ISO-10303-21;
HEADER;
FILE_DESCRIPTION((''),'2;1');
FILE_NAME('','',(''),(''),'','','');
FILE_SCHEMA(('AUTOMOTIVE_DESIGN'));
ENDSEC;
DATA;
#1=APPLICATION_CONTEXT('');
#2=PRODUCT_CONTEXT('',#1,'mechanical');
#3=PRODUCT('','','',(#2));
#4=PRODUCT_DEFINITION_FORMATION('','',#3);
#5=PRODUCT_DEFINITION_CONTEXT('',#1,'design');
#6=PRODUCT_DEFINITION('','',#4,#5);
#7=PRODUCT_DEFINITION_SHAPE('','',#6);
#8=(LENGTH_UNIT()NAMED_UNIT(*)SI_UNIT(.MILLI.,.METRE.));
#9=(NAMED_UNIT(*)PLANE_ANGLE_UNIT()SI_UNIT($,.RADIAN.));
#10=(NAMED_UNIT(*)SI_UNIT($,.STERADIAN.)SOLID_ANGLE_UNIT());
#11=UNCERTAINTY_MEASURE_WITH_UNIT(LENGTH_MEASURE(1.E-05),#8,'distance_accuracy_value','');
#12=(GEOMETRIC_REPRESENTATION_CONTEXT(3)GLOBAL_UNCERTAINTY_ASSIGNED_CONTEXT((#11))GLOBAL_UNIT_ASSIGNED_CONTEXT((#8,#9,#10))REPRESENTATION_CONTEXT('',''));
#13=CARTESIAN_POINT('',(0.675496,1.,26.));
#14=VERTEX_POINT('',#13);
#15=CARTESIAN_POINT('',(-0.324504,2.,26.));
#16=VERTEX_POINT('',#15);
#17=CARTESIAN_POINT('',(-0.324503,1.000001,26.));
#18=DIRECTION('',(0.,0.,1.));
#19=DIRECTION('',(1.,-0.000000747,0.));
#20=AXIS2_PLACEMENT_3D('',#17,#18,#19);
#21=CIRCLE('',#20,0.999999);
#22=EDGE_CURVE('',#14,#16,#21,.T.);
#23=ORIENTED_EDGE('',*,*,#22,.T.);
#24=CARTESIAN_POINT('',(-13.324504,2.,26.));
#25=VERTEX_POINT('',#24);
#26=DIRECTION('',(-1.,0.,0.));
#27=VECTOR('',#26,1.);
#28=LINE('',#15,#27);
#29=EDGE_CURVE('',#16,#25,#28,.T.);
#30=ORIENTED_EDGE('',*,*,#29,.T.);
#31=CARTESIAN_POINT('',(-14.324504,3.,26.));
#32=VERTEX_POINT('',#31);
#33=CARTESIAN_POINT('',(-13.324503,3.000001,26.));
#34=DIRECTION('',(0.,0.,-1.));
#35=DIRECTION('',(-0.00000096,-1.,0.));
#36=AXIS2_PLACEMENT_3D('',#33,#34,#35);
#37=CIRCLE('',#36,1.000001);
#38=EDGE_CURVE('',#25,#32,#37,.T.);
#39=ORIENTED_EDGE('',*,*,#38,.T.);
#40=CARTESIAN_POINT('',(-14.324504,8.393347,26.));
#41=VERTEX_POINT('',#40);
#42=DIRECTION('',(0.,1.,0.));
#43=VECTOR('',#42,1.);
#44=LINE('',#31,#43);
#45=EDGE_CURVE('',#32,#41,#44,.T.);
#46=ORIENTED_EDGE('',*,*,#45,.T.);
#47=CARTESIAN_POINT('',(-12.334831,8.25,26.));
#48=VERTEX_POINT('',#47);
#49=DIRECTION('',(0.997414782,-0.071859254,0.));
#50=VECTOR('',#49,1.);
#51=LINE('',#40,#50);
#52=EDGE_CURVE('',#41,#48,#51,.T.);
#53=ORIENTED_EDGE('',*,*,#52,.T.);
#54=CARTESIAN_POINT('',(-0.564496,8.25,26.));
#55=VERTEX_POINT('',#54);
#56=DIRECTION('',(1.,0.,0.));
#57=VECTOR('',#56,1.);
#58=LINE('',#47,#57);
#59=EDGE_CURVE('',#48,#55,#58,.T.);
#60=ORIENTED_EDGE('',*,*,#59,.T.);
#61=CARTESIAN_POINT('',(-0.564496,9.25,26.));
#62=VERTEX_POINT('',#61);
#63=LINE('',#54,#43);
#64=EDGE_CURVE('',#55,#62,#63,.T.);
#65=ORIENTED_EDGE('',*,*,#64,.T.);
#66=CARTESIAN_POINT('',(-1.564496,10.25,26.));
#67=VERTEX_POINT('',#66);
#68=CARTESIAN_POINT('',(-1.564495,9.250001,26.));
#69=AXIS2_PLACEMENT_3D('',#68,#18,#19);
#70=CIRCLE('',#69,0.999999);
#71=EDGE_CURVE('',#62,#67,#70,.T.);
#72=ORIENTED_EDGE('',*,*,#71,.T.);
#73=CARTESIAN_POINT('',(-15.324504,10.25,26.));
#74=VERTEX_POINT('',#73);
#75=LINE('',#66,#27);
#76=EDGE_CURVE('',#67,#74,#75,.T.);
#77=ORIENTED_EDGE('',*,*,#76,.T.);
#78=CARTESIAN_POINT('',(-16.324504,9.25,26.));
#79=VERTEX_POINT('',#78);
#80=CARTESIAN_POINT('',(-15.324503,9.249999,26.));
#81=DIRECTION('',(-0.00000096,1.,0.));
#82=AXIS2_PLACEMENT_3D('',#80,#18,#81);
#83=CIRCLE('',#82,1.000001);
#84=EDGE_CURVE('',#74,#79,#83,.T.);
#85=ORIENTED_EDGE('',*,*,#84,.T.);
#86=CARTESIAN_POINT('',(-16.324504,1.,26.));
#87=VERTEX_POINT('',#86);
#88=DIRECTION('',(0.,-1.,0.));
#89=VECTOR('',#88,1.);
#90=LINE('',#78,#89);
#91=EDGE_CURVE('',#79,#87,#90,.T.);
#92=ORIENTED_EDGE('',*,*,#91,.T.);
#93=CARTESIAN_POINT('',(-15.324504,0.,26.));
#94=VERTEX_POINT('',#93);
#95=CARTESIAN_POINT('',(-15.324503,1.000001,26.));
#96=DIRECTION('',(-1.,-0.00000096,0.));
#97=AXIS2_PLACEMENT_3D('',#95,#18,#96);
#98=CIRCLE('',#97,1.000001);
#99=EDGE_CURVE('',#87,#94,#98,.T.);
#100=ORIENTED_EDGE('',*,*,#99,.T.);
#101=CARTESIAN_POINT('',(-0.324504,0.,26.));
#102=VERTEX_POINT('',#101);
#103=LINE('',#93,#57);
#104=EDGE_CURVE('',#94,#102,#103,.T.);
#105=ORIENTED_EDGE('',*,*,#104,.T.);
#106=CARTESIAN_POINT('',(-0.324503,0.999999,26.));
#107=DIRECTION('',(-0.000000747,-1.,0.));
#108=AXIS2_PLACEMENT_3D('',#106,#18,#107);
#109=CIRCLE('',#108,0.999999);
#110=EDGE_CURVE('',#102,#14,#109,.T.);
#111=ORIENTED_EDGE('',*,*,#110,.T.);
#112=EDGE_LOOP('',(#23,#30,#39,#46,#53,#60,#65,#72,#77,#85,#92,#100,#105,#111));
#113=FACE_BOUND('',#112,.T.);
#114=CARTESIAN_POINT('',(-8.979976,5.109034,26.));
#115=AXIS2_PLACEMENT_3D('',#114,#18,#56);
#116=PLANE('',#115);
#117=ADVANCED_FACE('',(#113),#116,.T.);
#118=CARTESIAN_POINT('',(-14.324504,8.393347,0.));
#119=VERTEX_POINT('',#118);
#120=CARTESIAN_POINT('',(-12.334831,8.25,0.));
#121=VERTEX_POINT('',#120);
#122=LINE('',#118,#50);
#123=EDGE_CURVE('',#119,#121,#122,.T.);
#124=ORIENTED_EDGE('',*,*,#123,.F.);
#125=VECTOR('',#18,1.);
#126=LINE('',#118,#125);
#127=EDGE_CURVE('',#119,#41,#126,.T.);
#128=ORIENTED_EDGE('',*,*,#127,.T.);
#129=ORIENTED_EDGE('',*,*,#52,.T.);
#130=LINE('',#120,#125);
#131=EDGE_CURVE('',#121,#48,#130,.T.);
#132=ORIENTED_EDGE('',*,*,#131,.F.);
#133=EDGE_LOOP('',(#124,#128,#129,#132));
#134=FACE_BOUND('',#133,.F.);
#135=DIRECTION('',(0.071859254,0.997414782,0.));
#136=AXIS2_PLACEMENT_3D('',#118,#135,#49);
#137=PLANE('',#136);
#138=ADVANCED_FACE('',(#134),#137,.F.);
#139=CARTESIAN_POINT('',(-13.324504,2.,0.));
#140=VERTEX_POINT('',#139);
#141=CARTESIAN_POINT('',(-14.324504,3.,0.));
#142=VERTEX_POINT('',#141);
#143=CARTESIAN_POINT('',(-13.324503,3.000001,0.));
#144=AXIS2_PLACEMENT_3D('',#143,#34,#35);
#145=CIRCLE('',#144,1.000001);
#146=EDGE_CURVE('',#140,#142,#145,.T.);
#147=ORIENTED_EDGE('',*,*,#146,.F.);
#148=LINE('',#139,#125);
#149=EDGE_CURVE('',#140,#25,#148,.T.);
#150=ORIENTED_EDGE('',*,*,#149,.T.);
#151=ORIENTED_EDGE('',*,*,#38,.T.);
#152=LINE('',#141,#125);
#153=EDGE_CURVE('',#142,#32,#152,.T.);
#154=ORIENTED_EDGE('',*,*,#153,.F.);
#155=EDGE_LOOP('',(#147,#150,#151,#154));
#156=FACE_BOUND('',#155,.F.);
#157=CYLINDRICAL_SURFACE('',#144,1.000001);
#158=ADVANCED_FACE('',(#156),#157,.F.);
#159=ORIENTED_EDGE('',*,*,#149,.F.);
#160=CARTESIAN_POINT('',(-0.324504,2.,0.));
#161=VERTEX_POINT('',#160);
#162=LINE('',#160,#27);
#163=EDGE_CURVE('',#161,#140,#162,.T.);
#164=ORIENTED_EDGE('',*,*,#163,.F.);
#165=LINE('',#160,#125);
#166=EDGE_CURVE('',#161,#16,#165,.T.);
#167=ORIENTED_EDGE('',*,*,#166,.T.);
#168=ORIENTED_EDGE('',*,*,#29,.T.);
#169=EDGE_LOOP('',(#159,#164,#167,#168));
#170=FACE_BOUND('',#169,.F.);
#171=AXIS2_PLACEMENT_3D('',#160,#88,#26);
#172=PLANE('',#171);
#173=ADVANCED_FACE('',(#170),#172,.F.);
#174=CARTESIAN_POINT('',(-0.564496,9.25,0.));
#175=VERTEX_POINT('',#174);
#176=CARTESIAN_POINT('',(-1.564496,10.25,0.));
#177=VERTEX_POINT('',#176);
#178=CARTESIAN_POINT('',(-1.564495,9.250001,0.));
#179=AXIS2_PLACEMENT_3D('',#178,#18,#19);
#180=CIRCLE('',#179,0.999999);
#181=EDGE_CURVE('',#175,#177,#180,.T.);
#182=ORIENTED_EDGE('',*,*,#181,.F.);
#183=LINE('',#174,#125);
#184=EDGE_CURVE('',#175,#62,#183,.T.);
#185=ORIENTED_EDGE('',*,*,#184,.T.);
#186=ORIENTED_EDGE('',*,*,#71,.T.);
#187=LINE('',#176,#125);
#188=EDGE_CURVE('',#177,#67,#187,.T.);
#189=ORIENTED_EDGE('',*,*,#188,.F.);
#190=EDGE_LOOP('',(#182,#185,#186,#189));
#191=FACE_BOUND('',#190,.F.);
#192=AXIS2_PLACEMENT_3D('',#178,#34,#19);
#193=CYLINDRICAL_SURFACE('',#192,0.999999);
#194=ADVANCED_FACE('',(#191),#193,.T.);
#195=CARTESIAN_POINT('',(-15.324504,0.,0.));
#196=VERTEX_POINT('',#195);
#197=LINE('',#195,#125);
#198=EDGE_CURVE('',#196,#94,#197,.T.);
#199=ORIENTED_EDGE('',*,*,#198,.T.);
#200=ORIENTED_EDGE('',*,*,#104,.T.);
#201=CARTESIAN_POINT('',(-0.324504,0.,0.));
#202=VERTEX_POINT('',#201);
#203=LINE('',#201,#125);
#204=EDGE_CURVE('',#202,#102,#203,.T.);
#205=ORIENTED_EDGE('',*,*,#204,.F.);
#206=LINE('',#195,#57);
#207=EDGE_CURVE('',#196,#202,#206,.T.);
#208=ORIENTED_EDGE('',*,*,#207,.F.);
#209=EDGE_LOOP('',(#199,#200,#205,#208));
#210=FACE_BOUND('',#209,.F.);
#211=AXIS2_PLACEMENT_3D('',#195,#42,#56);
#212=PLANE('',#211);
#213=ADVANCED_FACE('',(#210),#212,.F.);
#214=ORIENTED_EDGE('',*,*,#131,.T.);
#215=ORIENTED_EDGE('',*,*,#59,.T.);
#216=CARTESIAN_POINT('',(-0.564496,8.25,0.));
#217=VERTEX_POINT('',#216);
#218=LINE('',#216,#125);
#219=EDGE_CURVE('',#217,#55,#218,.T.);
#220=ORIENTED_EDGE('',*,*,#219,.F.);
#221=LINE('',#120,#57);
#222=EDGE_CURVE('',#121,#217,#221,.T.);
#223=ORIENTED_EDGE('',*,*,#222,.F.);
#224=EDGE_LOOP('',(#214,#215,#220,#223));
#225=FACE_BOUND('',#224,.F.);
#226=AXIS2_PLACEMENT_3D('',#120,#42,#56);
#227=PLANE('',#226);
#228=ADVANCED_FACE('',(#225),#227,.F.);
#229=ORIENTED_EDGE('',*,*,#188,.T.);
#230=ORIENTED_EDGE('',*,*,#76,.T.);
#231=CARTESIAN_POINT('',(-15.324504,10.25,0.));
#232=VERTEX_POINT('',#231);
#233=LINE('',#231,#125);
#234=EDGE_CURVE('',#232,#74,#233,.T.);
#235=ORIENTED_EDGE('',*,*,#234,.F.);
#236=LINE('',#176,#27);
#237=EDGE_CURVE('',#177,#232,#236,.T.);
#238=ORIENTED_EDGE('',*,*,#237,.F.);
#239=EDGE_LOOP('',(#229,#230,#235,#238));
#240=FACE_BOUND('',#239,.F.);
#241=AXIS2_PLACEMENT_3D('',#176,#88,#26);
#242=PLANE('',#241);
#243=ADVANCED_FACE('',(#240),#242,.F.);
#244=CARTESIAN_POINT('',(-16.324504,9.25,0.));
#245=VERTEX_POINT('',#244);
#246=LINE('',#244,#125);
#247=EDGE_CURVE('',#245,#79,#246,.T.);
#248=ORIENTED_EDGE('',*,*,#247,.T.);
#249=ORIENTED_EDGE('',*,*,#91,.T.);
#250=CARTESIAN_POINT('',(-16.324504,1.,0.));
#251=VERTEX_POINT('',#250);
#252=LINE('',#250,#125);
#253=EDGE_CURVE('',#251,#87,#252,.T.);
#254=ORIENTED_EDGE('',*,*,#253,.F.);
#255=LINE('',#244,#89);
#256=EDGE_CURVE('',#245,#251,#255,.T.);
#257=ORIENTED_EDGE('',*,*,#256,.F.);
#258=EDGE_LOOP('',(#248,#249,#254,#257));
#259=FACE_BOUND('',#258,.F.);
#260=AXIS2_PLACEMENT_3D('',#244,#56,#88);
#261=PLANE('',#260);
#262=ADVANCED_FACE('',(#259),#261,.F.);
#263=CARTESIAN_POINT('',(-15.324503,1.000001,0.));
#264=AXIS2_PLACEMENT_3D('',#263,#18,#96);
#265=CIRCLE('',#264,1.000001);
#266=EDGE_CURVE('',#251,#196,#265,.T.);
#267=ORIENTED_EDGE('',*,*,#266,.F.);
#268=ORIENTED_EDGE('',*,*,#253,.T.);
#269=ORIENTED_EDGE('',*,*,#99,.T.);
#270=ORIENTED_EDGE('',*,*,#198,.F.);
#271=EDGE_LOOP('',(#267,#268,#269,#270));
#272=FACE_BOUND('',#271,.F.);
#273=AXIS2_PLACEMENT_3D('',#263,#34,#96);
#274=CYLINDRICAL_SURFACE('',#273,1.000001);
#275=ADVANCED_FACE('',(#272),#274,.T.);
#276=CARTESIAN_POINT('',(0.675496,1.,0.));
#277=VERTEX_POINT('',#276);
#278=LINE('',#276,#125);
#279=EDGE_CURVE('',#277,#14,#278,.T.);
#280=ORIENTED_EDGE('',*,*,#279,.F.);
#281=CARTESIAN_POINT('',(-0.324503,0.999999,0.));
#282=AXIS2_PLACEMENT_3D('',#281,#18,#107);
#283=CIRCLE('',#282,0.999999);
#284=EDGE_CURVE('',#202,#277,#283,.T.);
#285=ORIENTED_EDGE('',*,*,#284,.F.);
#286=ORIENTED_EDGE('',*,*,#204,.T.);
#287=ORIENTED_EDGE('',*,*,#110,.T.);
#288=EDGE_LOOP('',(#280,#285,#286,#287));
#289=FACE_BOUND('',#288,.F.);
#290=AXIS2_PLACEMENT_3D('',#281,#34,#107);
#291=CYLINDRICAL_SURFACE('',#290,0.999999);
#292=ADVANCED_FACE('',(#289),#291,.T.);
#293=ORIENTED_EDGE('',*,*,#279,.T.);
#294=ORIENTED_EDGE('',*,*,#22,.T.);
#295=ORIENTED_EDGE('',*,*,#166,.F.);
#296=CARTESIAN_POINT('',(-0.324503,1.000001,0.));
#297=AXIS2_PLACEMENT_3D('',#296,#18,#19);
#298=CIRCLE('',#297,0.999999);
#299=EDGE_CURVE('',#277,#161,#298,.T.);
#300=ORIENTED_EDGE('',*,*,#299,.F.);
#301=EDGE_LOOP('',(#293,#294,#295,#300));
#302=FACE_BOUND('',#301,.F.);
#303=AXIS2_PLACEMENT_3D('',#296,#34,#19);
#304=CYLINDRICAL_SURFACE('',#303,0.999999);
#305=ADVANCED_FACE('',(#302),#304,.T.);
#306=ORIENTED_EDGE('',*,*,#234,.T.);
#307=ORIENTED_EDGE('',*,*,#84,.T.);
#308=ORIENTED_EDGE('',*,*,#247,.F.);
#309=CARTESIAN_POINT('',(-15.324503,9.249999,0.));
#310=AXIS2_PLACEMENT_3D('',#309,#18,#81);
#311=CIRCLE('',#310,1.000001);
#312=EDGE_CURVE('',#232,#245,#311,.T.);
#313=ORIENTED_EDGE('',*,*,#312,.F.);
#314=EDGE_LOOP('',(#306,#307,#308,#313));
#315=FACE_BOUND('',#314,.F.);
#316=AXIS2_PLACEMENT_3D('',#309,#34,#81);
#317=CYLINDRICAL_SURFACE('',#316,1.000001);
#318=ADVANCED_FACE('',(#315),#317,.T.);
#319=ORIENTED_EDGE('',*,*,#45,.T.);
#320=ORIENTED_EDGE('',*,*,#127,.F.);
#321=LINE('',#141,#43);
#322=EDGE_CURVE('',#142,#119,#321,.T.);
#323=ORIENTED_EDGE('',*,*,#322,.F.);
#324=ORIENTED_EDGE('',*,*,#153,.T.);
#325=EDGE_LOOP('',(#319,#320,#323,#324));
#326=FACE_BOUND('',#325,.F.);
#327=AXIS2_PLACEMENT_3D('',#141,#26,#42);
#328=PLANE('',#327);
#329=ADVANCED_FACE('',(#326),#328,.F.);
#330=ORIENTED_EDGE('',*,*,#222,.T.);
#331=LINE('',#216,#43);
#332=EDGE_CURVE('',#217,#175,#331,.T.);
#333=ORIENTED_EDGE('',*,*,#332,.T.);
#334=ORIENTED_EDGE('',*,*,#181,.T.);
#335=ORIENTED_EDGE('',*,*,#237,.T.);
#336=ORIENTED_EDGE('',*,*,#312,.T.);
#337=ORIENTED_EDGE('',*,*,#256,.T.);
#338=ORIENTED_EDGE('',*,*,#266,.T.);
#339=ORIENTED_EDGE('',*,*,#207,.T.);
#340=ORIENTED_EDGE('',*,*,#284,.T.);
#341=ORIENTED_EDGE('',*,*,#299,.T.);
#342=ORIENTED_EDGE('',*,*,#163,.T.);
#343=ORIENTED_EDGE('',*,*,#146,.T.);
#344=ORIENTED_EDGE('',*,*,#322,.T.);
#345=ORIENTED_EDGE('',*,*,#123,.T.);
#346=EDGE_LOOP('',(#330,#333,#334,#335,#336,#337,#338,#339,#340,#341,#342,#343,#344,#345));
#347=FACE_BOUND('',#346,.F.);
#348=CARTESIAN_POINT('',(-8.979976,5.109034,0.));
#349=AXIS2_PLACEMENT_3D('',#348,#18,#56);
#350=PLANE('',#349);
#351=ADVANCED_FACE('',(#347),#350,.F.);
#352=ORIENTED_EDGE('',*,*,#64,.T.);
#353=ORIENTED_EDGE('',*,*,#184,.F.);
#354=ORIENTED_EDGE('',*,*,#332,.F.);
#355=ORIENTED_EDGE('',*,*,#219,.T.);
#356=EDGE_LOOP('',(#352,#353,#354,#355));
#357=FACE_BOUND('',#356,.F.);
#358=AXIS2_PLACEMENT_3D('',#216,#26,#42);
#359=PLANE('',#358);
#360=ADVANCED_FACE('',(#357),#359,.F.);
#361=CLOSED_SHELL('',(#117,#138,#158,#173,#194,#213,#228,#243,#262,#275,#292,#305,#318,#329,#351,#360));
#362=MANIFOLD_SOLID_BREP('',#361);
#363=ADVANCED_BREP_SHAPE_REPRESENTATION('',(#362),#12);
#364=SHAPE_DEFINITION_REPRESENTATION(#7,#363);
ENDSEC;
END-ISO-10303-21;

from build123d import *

# Parameters (mm, degrees)
F1_DEPTH = 26


with BuildPart() as f1:
    # F0 (on Top) → F1 (new body)
    with BuildSketch(Plane.XY):
        with BuildLine():
            ThreePointArc((-16.324504, 1), (-16.03161, 0.292893), (-15.324504, 0))
            Line((-15.324504, 0), (-0.324504, 0))
            ThreePointArc((-0.324504, 0), (0.382603, 0.292893), (0.675496, 1))
            ThreePointArc((0.675496, 1), (0.382603, 1.707107), (-0.324504, 2))
            Line((-0.324504, 2), (-13.324504, 2))
            ThreePointArc((-13.324504, 2), (-14.03161, 2.292893), (-14.324504, 3))
            Line((-14.324504, 3), (-14.324504, 8.393347))
            ThreePointArc((-14.324504, 8.393347), (-13.252645, 9.390761), (-12.334831, 8.25))
            Line((-12.334831, 8.25), (-0.564496, 8.25))
            Line((-0.564496, 8.25), (-0.564496, 8.948101))
            Line((-0.564496, 8.948101), (-0.564496, 9.25))
            ThreePointArc((-0.564496, 9.25), (-0.857389, 9.957107), (-1.564496, 10.25))
            Line((-1.564496, 10.25), (-15.324504, 10.25))
            ThreePointArc((-15.324504, 10.25), (-16.03161, 9.957107), (-16.324504, 9.25))
            Line((-16.324504, 9.25), (-16.324504, 1))
        make_face()
        with BuildLine():
            ThreePointArc((-12.334831, 8.25), (-13.252645, 9.390761), (-14.324504, 8.393347))
            Line((-14.324504, 8.393347), (-12.334831, 8.25))
        make_face()
    extrude(amount=F1_DEPTH)


solid = f1.part
